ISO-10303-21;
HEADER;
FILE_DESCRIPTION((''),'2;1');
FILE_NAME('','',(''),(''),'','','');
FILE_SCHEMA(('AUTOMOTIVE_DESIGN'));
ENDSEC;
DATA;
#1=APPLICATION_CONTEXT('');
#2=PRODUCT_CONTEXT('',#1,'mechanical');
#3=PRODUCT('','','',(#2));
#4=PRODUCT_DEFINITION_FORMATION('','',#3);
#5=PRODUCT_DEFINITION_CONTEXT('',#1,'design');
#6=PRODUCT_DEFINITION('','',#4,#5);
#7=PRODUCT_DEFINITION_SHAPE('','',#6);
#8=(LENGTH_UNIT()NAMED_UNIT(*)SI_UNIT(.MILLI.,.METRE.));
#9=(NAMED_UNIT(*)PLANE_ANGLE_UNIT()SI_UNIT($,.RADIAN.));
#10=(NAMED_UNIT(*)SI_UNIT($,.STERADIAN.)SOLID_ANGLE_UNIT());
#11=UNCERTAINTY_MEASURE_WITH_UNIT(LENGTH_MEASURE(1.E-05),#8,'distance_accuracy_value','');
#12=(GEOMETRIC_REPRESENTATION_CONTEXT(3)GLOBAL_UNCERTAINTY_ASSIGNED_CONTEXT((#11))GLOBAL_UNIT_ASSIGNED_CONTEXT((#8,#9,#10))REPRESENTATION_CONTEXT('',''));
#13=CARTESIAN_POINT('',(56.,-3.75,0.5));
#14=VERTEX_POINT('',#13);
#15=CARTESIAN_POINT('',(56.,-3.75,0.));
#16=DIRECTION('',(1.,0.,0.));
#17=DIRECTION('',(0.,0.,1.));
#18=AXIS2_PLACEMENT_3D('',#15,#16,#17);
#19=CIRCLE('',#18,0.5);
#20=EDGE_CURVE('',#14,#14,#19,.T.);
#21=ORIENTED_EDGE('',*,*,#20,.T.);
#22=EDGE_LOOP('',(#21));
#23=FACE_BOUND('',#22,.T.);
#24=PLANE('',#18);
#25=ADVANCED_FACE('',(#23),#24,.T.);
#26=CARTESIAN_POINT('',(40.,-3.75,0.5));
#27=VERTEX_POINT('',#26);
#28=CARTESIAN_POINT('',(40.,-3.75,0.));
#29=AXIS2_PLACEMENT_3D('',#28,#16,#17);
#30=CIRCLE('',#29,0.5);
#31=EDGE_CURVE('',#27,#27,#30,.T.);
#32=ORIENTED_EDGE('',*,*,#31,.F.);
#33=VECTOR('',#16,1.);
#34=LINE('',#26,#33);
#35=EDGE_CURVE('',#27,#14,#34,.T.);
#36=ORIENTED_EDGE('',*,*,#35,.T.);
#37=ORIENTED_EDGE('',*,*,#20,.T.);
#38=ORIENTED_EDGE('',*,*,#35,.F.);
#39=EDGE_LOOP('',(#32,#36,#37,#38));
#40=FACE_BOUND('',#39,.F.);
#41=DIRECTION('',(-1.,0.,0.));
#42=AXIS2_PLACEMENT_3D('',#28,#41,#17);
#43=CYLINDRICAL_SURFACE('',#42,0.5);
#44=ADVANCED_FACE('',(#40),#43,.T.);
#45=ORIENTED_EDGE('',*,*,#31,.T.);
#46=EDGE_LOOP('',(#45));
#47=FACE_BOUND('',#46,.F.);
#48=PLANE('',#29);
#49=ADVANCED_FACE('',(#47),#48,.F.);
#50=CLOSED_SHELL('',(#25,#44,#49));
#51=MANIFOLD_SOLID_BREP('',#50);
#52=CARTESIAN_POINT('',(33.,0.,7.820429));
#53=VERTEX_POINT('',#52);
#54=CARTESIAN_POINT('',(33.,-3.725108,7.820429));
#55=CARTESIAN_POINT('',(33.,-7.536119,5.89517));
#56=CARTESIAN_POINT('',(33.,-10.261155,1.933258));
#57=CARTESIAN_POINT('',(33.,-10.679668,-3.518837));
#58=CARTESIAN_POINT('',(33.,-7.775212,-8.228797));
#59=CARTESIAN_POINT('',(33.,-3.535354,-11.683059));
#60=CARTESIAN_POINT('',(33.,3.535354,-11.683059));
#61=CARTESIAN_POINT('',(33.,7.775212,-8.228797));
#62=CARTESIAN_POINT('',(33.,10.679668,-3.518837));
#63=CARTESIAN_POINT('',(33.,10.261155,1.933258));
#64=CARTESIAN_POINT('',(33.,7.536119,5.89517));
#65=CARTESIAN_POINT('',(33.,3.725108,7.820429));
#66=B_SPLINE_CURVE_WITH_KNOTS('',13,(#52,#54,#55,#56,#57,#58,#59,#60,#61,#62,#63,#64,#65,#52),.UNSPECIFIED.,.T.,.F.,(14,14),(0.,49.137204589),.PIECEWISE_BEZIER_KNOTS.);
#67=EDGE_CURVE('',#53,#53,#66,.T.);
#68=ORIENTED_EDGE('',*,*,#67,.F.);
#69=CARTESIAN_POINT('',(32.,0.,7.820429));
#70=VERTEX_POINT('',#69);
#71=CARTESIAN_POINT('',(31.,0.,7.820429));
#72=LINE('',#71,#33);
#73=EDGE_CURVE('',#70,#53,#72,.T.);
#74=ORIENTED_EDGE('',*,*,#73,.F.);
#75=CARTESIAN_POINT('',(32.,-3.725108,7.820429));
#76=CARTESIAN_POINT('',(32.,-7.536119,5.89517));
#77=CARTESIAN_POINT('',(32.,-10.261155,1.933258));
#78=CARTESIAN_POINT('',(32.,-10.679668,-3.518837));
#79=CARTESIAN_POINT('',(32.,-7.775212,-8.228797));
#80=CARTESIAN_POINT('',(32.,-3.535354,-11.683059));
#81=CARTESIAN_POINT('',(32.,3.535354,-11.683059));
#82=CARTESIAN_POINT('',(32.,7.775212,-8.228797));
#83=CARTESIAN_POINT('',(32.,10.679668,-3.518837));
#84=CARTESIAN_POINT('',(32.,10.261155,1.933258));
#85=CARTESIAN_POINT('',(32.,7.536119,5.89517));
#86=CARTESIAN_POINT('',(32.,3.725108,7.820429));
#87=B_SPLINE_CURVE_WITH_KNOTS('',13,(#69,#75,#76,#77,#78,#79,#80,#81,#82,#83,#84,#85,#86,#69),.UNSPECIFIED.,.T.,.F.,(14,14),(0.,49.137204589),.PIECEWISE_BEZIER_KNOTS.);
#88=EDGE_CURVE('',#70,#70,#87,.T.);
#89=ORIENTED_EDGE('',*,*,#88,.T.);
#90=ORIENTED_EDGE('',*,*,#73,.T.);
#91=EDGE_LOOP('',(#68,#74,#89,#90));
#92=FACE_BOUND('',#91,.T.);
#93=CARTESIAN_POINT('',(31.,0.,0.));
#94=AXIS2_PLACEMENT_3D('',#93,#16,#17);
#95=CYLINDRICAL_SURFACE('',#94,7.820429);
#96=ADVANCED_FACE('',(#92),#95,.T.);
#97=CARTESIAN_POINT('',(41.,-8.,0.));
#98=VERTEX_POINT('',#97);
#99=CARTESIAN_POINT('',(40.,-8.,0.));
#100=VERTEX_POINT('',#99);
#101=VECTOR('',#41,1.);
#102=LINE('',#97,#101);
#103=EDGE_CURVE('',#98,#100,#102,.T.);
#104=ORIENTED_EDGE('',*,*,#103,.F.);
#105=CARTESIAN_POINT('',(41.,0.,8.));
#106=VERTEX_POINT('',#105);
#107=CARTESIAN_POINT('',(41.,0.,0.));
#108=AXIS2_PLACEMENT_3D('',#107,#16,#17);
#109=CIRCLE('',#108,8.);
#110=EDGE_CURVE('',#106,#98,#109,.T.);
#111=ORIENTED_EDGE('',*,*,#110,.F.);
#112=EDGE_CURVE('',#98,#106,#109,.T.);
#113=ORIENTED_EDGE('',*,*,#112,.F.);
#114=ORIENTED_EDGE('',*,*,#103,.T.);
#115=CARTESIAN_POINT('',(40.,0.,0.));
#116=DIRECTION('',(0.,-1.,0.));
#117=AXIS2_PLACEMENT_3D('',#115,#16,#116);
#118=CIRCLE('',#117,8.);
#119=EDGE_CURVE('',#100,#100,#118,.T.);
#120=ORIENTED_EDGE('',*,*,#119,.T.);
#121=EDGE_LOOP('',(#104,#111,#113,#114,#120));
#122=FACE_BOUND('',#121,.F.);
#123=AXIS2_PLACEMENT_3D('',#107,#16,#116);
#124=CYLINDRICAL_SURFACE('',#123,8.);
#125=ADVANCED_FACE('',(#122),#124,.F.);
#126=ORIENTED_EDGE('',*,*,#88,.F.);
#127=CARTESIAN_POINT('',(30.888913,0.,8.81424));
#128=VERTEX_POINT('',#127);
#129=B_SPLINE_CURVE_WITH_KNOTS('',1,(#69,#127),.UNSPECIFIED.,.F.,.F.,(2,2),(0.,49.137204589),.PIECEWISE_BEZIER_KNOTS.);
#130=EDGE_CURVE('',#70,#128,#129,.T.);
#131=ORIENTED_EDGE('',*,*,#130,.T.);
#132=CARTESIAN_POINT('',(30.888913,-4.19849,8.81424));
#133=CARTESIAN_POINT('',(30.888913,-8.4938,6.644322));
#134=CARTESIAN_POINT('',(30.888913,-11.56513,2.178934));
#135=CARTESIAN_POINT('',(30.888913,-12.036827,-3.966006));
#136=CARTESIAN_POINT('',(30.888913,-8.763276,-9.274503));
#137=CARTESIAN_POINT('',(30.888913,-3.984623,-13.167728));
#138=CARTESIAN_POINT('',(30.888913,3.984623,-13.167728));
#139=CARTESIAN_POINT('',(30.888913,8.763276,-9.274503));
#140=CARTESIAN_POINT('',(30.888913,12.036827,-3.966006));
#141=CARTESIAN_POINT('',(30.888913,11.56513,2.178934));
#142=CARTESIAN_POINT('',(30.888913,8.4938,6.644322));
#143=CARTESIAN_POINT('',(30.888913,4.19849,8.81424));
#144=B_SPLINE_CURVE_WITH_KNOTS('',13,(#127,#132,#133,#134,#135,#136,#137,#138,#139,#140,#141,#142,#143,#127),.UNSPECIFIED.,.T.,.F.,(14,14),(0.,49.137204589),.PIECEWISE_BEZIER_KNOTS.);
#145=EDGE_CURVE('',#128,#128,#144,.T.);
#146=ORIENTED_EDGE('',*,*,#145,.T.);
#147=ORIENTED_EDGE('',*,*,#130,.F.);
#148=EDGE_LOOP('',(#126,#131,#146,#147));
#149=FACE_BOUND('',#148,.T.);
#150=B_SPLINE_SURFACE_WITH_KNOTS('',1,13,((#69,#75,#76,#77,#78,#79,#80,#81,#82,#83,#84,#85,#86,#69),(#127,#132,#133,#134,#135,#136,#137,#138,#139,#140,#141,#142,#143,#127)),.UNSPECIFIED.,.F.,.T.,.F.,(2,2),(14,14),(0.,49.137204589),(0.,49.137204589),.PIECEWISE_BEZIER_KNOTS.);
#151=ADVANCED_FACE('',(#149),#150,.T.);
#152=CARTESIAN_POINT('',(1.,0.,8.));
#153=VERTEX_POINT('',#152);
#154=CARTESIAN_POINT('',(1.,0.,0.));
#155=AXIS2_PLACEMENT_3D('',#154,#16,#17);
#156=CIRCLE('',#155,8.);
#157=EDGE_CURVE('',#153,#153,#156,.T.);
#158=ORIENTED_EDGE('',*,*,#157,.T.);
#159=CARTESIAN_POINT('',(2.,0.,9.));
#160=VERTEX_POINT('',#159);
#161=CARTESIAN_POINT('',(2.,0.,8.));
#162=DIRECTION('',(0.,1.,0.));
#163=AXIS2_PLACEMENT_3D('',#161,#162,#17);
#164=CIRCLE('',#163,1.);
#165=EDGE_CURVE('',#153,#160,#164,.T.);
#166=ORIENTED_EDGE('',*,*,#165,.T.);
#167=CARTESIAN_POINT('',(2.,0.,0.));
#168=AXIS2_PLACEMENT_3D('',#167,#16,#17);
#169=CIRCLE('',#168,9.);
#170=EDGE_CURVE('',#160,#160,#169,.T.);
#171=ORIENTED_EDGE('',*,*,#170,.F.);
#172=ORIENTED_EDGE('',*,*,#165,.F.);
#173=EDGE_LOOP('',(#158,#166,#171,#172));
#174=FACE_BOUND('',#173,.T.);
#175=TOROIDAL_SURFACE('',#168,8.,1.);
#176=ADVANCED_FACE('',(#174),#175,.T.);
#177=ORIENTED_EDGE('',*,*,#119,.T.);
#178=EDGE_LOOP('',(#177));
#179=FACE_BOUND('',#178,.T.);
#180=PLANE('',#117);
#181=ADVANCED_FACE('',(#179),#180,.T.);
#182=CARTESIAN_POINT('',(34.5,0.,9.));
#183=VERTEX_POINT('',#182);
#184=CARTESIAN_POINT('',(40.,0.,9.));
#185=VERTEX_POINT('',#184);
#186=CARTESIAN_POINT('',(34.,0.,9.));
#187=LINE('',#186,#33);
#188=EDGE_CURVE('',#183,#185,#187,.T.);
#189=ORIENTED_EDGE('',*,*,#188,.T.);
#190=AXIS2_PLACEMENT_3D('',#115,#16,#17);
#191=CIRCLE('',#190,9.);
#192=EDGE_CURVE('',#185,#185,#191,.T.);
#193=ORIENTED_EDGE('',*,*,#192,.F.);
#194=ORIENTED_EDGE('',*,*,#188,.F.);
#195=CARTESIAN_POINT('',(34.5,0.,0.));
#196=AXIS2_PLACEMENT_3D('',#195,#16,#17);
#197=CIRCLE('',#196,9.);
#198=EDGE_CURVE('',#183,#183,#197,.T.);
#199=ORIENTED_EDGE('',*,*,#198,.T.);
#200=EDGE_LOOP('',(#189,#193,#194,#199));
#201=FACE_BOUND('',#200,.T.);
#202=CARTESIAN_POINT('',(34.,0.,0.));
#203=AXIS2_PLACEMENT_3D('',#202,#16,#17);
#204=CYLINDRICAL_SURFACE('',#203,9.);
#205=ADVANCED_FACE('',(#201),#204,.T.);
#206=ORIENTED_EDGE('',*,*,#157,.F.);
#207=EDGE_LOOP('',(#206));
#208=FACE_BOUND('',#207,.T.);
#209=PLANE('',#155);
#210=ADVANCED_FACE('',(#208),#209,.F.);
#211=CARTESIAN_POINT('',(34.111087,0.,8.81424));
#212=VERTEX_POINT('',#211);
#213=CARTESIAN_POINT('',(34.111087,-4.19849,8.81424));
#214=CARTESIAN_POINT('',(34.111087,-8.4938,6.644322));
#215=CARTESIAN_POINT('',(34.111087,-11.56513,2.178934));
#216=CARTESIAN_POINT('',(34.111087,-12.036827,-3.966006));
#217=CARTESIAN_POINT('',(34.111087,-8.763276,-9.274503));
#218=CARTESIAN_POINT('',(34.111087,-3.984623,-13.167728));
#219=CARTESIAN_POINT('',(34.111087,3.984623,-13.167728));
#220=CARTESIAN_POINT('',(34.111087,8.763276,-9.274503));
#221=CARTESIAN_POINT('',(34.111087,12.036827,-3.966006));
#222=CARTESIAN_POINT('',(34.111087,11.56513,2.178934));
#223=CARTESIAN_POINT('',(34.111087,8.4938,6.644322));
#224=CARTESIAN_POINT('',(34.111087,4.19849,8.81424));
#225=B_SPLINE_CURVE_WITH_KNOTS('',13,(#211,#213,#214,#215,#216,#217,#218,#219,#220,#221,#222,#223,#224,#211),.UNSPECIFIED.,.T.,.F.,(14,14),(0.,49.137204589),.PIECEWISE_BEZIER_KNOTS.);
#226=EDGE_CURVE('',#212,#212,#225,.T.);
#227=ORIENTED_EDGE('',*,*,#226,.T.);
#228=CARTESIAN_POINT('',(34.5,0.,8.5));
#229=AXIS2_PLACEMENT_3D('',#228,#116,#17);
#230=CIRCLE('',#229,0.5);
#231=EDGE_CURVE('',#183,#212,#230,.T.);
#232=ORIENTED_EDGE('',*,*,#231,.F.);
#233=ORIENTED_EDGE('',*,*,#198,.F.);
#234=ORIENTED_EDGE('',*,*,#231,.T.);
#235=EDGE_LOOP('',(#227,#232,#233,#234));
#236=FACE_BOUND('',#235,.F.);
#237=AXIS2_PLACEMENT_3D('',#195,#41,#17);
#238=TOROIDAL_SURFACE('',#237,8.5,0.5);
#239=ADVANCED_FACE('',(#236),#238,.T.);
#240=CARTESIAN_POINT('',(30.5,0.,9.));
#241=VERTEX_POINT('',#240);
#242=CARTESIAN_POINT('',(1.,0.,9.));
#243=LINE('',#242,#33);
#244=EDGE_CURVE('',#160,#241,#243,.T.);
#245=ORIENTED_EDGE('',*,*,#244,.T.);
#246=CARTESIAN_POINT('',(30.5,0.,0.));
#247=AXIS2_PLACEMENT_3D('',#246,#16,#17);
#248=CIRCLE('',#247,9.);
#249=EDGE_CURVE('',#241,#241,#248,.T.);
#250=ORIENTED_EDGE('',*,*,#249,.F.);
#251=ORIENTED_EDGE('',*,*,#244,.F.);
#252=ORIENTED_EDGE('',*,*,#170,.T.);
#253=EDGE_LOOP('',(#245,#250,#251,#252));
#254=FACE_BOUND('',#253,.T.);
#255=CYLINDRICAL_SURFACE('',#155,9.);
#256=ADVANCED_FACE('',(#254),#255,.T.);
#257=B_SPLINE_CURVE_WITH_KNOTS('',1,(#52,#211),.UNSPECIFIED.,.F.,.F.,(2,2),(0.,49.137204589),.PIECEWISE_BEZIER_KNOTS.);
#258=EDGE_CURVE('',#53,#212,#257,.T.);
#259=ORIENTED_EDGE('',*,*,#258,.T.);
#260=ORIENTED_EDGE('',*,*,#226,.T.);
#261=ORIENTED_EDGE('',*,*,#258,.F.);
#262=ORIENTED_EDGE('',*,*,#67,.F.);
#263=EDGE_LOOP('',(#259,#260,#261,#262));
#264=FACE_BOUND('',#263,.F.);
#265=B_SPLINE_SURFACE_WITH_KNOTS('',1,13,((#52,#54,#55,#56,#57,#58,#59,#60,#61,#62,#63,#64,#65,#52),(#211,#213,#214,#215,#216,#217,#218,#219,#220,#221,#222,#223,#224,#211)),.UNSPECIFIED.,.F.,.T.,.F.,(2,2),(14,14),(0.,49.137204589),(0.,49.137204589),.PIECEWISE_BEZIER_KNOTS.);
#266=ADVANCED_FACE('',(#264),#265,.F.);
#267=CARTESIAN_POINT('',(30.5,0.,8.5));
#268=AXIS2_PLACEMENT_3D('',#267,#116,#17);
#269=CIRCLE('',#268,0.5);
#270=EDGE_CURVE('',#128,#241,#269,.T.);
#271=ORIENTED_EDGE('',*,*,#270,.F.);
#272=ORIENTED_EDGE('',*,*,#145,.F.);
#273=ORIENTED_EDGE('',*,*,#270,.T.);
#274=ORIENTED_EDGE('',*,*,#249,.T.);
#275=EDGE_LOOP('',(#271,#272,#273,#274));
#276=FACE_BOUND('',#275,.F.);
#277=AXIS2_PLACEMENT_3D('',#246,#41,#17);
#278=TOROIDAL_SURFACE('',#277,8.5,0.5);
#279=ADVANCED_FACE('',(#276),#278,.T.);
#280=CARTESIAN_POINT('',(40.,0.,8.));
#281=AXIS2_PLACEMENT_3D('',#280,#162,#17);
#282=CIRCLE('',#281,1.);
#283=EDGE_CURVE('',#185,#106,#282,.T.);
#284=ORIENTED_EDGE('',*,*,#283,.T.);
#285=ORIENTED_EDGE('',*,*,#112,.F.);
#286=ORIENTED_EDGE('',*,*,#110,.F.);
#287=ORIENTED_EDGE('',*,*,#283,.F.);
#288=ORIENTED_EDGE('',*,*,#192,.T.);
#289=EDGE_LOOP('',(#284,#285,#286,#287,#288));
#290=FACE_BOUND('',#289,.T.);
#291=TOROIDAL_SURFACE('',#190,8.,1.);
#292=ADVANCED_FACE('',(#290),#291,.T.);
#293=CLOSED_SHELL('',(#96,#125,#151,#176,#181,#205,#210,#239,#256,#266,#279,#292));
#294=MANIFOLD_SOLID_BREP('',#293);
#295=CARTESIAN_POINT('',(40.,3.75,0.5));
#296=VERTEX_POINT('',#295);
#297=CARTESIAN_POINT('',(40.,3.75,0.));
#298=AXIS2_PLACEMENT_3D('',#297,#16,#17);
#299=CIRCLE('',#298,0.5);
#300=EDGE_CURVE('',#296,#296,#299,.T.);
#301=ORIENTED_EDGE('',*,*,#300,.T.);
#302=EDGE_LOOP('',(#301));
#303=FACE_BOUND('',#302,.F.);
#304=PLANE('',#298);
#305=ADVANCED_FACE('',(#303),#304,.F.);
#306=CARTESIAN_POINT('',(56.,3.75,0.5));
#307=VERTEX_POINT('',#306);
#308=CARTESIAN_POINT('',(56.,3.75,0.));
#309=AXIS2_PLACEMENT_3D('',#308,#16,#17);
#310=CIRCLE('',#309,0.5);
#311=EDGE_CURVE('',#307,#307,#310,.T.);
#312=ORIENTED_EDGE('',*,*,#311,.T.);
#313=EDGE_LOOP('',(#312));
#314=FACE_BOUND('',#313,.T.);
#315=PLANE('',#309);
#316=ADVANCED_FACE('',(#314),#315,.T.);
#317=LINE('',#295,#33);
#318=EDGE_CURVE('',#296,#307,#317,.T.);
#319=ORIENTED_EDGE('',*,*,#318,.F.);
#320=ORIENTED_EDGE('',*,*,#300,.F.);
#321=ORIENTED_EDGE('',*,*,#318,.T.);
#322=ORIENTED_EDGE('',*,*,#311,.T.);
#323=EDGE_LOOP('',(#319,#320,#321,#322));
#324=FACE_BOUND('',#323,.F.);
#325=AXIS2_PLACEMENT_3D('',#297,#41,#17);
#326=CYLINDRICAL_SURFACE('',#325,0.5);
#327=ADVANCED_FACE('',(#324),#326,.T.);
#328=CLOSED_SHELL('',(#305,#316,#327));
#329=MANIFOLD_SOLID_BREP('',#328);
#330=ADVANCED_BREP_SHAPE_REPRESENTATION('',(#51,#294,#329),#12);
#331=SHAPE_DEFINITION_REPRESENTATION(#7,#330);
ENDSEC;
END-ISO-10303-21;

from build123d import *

# Parameters (mm, degrees)
FILLET_R            = 1
FILLET001_R         = 1
FILLET002_R         = 0.5
CHAMFER_SIZE        = 1
CHAMFER001_SIZE     = 1
CHAMFER001_FACE10_R = 8
POCKET_DEPTH        = 1
CYLINDER_R          = 0.5
CYLINDER_DEPTH      = 16
CYLINDER001_R       = 0.5
CYLINDER001_DEPTH   = 16


with BuildPart() as body:
    # Sketch → Revolution (revolve)
    with BuildSketch(Plane.XZ):
        Polygon((1, 0), (1, 9), (31, 9), (31, 7.820429), (34, 7.820429), (34, 9), (41, 9), (41, 0), (34, 0), (31, 0), align=None)
    revolve(axis=Axis((0, 0, 0), (1, 0, 0)))

    # Fillet
    fillet_edges = [body.edges().sort_by_distance(p)[0] for p in [
        (1, 0, -9),
    ]]
    fillet(fillet_edges, radius=FILLET_R)

    # Fillet001
    fillet001_edges = [body.edges().sort_by_distance(p)[0] for p in [
        (41, 0, -9),
    ]]
    fillet(fillet001_edges, radius=FILLET001_R)

    # Fillet002
    fillet002_edges = [body.edges().sort_by_distance(p)[0] for p in [
        (34, 0, -9),
        (31, 0, -9),
    ]]
    fillet(fillet002_edges, radius=FILLET002_R)

    # Chamfer
    chamfer_edges = [body.edges().sort_by_distance(p)[0] for p in [
        (31, 0, -7.820429),
    ]]
    chamfer(chamfer_edges, length=CHAMFER_SIZE)

    # Chamfer001
    chamfer001_edges = [body.edges().sort_by_distance(p)[0] for p in [
        (34, 0, -7.820429),
    ]]
    chamfer(chamfer001_edges, length=CHAMFER001_SIZE)

    # Chamfer001 Face10 → Pocket (cut)
    with BuildSketch(Plane(origin=(41, 0, 0), x_dir=(0, -1, 0), z_dir=(1, 0, 0))):
        Circle(CHAMFER001_FACE10_R)
    extrude(amount=-POCKET_DEPTH, mode=Mode.SUBTRACT)


with BuildPart() as body001:
    # Cylinder → Cylinder (join)
    with BuildSketch(Plane(origin=(40, 3.75, 0), x_dir=(0, 0, 1), z_dir=(1, 0, 0))):
        Circle(CYLINDER_R)
    extrude(amount=CYLINDER_DEPTH)


with BuildPart() as body002:
    # Cylinder001 → Cylinder001 (join)
    with BuildSketch(Plane(origin=(40, -3.75, 0), x_dir=(0, 0, 1), z_dir=(1, 0, 0))):
        Circle(CYLINDER001_R)
    extrude(amount=CYLINDER001_DEPTH)


solid = Compound([body.part, body001.part, body002.part])
